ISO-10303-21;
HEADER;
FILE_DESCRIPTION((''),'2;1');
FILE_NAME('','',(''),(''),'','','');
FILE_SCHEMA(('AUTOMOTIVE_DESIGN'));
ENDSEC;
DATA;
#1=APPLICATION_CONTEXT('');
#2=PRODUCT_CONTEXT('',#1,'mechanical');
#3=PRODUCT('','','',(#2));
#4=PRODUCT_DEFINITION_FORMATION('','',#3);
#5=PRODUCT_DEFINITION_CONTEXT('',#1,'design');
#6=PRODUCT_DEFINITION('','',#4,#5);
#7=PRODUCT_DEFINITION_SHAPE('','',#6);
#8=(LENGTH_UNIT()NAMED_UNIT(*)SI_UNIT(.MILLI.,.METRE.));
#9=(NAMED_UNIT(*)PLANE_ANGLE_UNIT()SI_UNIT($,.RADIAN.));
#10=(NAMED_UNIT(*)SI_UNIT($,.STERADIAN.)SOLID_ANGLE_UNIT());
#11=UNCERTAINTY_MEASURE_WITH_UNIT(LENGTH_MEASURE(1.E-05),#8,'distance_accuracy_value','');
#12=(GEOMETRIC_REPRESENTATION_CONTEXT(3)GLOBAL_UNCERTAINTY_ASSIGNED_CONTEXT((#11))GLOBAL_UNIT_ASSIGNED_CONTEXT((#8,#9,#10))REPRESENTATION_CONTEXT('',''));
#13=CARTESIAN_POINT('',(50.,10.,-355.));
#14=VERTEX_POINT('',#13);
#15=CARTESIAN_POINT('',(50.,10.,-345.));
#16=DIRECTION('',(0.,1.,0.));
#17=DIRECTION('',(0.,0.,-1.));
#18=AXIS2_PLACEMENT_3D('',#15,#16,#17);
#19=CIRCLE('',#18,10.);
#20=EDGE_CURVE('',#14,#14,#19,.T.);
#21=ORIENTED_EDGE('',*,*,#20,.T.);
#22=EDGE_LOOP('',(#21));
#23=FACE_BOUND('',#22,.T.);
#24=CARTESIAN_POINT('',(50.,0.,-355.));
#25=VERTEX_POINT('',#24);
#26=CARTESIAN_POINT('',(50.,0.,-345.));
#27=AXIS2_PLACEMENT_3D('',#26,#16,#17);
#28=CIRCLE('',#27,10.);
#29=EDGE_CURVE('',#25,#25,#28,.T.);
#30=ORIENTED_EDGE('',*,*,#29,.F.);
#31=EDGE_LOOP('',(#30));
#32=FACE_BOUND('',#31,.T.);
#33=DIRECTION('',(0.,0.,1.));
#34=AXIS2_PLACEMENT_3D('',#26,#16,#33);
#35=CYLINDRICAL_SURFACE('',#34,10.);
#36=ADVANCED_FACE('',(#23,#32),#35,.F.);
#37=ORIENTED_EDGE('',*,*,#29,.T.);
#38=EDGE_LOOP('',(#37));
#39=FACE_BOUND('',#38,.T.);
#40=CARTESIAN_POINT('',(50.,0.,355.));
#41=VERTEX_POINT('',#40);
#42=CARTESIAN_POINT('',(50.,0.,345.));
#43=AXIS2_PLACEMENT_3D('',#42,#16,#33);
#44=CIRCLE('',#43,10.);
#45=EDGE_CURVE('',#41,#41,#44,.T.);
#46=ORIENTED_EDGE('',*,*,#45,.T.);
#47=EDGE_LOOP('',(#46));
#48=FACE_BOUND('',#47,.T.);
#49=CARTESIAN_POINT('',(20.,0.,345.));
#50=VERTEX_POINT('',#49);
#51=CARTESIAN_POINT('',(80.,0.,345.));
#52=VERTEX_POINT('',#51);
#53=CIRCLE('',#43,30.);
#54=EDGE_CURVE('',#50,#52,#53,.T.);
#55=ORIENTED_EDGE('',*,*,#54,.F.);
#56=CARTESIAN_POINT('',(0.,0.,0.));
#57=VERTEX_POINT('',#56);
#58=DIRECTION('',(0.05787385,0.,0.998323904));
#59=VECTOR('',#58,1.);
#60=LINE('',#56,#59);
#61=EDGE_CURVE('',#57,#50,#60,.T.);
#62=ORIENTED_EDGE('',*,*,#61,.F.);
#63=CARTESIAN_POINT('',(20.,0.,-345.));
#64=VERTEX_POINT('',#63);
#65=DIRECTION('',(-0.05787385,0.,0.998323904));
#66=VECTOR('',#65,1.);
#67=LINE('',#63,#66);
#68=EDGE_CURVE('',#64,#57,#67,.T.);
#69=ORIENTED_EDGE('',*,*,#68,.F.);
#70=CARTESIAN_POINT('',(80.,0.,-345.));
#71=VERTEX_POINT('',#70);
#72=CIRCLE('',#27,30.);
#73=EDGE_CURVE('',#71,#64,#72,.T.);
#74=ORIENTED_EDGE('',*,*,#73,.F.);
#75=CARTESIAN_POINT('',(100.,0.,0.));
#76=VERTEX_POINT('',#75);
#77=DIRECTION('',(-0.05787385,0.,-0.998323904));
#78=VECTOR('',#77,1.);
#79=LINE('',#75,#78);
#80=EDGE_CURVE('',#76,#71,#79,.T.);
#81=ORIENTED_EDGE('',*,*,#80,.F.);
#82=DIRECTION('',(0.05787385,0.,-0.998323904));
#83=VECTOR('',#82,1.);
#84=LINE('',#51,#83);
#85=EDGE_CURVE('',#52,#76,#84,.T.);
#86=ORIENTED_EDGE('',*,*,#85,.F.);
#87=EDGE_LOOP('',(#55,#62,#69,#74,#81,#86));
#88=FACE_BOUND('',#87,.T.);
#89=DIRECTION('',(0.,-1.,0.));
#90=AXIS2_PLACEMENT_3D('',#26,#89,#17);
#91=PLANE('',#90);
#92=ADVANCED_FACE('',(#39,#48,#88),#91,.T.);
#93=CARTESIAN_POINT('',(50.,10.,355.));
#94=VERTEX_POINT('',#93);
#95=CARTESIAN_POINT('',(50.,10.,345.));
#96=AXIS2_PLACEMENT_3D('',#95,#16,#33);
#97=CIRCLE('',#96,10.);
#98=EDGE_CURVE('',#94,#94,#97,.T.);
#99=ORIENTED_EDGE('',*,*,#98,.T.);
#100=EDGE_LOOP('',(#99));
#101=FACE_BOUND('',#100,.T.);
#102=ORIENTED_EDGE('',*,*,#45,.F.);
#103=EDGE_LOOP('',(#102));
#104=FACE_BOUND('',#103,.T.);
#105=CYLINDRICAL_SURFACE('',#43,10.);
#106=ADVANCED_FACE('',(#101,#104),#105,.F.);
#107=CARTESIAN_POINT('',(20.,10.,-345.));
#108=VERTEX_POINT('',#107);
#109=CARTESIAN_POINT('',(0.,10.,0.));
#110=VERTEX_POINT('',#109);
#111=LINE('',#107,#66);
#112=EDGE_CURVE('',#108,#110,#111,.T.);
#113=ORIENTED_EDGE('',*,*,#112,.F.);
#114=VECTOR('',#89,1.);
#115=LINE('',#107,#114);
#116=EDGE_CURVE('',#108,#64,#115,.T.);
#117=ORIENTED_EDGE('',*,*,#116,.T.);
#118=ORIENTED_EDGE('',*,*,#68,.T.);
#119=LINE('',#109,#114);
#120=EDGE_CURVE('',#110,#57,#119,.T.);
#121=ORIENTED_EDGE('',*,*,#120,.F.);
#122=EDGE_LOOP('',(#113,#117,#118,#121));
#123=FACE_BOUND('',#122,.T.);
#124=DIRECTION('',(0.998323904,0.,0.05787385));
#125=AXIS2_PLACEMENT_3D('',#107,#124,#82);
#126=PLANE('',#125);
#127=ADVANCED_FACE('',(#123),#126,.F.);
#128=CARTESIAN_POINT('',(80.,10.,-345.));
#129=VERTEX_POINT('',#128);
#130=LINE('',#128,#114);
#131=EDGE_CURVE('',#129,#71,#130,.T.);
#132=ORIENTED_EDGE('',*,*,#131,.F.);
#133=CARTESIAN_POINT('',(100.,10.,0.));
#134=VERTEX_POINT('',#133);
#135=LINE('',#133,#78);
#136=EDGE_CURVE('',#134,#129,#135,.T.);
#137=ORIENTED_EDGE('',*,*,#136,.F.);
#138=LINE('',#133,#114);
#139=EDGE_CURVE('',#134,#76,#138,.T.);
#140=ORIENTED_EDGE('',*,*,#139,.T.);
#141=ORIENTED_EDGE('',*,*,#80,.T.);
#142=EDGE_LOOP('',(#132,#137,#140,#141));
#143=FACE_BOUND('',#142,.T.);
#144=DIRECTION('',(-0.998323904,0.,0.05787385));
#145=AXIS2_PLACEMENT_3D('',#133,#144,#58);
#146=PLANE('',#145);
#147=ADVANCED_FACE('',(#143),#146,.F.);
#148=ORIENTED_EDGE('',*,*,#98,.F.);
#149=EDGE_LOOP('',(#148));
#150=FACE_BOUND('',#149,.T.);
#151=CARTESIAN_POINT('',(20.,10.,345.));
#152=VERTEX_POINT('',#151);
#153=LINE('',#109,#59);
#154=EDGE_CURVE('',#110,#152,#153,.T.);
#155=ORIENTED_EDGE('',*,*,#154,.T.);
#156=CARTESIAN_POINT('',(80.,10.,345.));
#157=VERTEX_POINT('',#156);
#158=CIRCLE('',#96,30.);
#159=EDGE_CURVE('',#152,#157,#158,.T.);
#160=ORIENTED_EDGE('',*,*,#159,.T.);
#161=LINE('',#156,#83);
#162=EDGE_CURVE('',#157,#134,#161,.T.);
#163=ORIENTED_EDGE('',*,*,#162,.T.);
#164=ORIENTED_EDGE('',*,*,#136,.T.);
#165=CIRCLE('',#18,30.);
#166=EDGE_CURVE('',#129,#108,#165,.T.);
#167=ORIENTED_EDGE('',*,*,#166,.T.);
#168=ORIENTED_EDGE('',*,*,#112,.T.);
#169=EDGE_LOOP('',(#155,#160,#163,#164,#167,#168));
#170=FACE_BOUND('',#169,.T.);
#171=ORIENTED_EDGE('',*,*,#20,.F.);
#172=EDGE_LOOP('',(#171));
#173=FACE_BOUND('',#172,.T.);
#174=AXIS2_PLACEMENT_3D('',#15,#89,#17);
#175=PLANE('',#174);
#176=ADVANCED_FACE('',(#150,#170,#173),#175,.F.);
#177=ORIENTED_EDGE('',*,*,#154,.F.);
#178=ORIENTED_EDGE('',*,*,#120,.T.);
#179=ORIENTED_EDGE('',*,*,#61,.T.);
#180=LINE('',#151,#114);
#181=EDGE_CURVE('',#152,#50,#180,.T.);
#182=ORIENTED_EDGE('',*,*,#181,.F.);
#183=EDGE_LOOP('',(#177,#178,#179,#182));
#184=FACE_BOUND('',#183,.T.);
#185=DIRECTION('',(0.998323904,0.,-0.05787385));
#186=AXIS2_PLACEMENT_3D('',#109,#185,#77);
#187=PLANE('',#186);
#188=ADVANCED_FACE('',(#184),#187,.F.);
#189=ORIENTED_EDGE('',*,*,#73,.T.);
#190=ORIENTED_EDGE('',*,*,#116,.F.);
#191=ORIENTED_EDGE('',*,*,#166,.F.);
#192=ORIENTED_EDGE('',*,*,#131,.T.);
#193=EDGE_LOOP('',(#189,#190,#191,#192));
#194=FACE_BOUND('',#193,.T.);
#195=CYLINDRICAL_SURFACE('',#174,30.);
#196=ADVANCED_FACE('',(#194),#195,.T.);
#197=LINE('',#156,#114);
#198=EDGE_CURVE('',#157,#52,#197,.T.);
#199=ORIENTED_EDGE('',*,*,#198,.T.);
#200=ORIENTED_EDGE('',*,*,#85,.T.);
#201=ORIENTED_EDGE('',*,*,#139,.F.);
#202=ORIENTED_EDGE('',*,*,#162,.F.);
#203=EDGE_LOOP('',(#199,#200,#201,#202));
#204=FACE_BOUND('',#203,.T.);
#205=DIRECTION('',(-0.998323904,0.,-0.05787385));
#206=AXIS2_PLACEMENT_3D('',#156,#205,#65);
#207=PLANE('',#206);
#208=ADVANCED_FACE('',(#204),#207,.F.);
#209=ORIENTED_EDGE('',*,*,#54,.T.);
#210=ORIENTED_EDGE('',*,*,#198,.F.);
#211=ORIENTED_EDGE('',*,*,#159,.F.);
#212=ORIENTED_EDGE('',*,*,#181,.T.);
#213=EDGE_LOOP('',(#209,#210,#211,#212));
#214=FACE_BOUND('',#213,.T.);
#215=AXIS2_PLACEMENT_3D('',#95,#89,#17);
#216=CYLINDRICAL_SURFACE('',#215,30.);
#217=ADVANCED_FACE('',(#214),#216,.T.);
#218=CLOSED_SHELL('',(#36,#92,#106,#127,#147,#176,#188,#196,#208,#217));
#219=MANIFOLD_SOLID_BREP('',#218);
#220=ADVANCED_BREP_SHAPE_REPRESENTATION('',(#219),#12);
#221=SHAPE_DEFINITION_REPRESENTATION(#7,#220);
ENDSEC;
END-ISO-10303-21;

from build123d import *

# Parameters (mm, degrees)
BOSS_EXTRUDE1_DEPTH = 10
SKETCH2_R           = 10
CUT_EXTRUDE1_DEPTH  = 10


with BuildPart() as part:
    # Sketch1 → Boss-Extrude1 (new body)
    with BuildSketch(Plane(origin=(0, 0, 0), x_dir=(1, 0, 0), z_dir=(0, 1, 0))):
        with BuildLine():
            Line((20, 345), (0, 0))
            Line((0, 0), (20, -345))
            ThreePointArc((20, -345), (50, -375), (80, -345))
            Line((80, -345), (100, 0))
            Line((100, 0), (80, 345))
            ThreePointArc((80, 345), (50, 375), (20, 345))
        make_face()
    extrude(amount=BOSS_EXTRUDE1_DEPTH)

    # Sketch2 → Cut-Extrude1 (cut)
    with BuildSketch(Plane(origin=(0, 10, 0), x_dir=(1, 0, 0), z_dir=(0, 1, 0))):
        with Locations(Location((50, -345, 0), (0, 0, 270))):
            Circle(SKETCH2_R)
        with Locations(Location((50, 345, 0), (0, 0, 90))):
            Circle(SKETCH2_R)
    extrude(amount=-CUT_EXTRUDE1_DEPTH, mode=Mode.SUBTRACT)


solid = part.part
